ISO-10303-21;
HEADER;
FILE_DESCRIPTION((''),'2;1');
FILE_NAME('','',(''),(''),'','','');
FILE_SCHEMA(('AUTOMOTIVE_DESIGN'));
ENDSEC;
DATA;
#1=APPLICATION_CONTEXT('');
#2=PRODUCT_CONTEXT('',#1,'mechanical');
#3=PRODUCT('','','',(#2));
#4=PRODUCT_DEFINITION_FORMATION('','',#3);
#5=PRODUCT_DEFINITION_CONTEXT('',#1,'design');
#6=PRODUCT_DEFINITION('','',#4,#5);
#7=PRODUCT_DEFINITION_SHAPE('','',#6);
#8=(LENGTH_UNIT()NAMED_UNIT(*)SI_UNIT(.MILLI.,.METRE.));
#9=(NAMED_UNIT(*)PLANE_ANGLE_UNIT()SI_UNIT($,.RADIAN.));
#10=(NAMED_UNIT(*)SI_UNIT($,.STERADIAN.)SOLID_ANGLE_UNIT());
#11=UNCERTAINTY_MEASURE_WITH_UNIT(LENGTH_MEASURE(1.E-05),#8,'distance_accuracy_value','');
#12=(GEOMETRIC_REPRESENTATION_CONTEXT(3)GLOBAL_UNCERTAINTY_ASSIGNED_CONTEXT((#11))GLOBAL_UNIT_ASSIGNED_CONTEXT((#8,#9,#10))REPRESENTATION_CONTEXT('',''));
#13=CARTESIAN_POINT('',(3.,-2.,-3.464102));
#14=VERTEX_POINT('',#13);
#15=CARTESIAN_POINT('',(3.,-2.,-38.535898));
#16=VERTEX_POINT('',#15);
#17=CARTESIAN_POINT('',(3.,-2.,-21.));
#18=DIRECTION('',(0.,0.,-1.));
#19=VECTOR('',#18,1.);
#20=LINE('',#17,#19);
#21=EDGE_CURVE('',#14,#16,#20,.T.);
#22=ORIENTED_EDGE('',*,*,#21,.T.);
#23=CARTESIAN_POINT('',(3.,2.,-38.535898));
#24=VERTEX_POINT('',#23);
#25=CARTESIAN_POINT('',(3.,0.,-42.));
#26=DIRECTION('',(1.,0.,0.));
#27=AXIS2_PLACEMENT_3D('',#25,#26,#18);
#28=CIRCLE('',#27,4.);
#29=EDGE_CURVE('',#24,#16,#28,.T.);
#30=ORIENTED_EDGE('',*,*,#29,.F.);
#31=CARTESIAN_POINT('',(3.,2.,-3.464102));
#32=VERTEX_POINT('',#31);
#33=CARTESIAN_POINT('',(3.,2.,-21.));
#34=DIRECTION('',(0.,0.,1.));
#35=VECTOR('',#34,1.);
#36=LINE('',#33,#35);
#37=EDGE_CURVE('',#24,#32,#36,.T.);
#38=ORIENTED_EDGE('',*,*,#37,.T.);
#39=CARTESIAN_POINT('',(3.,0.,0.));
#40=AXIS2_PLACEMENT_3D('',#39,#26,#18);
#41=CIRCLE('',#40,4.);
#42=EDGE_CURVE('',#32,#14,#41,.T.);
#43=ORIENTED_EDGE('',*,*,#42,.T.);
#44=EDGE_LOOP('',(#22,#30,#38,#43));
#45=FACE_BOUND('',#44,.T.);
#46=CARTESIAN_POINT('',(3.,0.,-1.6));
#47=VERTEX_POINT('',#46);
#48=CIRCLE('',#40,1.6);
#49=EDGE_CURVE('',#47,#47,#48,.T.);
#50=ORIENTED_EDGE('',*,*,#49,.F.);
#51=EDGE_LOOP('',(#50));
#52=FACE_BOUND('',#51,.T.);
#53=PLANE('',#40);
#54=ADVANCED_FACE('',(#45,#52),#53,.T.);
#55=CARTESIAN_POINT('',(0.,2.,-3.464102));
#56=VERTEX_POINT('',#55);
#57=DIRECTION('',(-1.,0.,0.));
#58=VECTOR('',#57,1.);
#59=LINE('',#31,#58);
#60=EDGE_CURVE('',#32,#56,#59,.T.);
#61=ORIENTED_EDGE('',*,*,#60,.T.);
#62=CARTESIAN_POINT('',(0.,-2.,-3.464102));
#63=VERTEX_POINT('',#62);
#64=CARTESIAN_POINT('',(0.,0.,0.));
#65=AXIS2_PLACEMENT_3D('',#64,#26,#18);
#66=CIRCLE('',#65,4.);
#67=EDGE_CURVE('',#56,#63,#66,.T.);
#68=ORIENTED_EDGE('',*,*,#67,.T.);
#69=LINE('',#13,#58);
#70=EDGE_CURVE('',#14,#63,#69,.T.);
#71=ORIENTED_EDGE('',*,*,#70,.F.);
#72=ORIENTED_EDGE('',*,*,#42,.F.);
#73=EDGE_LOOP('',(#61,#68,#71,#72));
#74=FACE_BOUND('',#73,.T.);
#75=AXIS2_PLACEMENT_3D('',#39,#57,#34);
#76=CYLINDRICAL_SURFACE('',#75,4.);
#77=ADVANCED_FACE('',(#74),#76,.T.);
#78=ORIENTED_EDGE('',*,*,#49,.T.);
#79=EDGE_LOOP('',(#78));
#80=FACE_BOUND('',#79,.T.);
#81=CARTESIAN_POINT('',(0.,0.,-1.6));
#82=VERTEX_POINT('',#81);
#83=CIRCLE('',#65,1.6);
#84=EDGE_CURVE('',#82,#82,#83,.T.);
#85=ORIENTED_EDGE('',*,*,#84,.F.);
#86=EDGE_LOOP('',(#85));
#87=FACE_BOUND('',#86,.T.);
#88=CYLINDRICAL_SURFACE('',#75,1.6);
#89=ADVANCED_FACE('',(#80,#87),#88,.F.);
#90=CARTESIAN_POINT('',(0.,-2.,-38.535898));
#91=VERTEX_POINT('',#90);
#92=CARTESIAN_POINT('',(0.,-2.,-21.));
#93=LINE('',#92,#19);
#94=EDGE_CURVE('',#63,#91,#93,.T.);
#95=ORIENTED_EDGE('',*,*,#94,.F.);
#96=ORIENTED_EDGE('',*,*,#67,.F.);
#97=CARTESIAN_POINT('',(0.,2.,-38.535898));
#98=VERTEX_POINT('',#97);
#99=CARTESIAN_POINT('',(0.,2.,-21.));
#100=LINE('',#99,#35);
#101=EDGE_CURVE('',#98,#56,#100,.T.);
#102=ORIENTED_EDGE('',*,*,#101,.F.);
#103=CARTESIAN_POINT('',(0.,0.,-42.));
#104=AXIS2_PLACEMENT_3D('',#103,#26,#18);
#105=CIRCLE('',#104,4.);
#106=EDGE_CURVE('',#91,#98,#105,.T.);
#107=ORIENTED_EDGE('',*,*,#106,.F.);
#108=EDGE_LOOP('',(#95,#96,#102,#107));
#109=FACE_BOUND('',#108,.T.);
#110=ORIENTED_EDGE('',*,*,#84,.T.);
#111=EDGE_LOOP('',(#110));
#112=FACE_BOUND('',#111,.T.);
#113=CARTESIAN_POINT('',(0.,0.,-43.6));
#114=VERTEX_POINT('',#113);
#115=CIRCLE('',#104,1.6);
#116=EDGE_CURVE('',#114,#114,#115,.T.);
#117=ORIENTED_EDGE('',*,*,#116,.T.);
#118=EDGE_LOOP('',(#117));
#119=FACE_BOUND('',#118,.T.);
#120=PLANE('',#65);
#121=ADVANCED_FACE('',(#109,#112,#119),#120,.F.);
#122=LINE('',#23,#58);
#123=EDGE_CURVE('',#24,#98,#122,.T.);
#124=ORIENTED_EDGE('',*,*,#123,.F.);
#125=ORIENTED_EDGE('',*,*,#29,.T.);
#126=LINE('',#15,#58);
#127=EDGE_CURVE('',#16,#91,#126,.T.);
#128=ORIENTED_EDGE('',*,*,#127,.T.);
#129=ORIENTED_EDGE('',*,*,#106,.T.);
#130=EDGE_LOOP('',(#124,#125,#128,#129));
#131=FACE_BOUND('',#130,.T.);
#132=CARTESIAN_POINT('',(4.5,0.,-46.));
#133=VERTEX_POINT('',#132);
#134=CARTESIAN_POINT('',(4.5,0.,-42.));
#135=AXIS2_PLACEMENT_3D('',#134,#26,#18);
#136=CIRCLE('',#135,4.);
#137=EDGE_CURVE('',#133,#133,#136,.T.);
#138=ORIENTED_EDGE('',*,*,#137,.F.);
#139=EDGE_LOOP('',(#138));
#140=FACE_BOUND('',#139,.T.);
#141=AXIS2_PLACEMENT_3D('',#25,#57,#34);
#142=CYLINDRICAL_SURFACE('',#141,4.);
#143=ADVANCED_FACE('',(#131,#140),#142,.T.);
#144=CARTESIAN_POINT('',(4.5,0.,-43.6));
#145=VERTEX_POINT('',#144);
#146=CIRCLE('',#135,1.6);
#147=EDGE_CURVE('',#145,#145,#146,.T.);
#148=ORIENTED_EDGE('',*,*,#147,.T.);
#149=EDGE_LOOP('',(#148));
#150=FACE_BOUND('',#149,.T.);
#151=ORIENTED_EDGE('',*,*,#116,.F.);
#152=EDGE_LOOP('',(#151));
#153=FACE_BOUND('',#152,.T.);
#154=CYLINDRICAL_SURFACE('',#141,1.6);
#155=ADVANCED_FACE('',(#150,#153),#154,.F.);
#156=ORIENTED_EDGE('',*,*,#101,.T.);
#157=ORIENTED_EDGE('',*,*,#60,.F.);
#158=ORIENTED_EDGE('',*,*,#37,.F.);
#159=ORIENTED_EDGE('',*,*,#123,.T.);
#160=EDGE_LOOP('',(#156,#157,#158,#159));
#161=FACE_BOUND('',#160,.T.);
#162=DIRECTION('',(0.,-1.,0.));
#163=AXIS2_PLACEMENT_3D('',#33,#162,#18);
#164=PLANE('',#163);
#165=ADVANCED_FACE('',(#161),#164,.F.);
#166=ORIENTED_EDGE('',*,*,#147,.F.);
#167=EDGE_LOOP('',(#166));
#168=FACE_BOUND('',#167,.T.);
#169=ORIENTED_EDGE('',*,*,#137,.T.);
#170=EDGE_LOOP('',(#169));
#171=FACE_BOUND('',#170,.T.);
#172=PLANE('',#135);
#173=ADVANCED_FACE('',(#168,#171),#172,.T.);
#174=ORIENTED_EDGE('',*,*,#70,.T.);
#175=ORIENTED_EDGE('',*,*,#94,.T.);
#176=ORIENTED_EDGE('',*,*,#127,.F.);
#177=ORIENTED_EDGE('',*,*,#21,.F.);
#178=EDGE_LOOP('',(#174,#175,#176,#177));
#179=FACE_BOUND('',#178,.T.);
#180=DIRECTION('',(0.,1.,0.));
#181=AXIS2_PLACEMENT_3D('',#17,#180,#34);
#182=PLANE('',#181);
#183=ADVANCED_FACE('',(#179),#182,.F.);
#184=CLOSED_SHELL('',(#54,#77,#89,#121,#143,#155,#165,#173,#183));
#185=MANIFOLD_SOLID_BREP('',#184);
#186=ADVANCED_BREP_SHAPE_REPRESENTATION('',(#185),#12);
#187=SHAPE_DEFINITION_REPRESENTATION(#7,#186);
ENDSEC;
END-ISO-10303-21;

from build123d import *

# Parameters (mm, degrees)
SKETCH1_R           = 1.6
BOSS_EXTRUDE1_DEPTH = 3
SKETCH3_R           = 4
SKETCH3_R_2         = 1.6
BOSS_EXTRUDE3_DEPTH = 1.5


with BuildPart() as part:
    # Sketch1 → Boss-Extrude1 (new body)
    with BuildSketch(Plane(origin=(0, 0, 0), x_dir=(0, 0, -1), z_dir=(1, 0, 0))):
        with BuildLine():
            Line((21, 2), (38.535898385, 2))
            ThreePointArc((38.535898385, 2), (46, 0), (38.535898385, -2))
            Line((38.535898385, -2), (21, -2))
            Line((21, -2), (3.464101615, -2))
            ThreePointArc((3.464101615, -2), (-4, 0), (3.464101615, 2))
            Line((3.464101615, 2), (21, 2))
        make_face()
        Circle(SKETCH1_R, mode=Mode.SUBTRACT)
        with Locations((42, 0)):
            Circle(SKETCH1_R, mode=Mode.SUBTRACT)
    extrude(amount=BOSS_EXTRUDE1_DEPTH)

    # Sketch3 → Boss-Extrude3 (add)
    with BuildSketch(Plane(origin=(3, 0, 0), x_dir=(0, 0, -1), z_dir=(1, 0, 0))):
        with Locations(Location((42, 0, 0), (0, 0, 150))):
            Circle(SKETCH3_R)
        with Locations((42, 0)):
            Circle(SKETCH3_R_2, mode=Mode.SUBTRACT)
    extrude(amount=BOSS_EXTRUDE3_DEPTH)


solid = part.part
